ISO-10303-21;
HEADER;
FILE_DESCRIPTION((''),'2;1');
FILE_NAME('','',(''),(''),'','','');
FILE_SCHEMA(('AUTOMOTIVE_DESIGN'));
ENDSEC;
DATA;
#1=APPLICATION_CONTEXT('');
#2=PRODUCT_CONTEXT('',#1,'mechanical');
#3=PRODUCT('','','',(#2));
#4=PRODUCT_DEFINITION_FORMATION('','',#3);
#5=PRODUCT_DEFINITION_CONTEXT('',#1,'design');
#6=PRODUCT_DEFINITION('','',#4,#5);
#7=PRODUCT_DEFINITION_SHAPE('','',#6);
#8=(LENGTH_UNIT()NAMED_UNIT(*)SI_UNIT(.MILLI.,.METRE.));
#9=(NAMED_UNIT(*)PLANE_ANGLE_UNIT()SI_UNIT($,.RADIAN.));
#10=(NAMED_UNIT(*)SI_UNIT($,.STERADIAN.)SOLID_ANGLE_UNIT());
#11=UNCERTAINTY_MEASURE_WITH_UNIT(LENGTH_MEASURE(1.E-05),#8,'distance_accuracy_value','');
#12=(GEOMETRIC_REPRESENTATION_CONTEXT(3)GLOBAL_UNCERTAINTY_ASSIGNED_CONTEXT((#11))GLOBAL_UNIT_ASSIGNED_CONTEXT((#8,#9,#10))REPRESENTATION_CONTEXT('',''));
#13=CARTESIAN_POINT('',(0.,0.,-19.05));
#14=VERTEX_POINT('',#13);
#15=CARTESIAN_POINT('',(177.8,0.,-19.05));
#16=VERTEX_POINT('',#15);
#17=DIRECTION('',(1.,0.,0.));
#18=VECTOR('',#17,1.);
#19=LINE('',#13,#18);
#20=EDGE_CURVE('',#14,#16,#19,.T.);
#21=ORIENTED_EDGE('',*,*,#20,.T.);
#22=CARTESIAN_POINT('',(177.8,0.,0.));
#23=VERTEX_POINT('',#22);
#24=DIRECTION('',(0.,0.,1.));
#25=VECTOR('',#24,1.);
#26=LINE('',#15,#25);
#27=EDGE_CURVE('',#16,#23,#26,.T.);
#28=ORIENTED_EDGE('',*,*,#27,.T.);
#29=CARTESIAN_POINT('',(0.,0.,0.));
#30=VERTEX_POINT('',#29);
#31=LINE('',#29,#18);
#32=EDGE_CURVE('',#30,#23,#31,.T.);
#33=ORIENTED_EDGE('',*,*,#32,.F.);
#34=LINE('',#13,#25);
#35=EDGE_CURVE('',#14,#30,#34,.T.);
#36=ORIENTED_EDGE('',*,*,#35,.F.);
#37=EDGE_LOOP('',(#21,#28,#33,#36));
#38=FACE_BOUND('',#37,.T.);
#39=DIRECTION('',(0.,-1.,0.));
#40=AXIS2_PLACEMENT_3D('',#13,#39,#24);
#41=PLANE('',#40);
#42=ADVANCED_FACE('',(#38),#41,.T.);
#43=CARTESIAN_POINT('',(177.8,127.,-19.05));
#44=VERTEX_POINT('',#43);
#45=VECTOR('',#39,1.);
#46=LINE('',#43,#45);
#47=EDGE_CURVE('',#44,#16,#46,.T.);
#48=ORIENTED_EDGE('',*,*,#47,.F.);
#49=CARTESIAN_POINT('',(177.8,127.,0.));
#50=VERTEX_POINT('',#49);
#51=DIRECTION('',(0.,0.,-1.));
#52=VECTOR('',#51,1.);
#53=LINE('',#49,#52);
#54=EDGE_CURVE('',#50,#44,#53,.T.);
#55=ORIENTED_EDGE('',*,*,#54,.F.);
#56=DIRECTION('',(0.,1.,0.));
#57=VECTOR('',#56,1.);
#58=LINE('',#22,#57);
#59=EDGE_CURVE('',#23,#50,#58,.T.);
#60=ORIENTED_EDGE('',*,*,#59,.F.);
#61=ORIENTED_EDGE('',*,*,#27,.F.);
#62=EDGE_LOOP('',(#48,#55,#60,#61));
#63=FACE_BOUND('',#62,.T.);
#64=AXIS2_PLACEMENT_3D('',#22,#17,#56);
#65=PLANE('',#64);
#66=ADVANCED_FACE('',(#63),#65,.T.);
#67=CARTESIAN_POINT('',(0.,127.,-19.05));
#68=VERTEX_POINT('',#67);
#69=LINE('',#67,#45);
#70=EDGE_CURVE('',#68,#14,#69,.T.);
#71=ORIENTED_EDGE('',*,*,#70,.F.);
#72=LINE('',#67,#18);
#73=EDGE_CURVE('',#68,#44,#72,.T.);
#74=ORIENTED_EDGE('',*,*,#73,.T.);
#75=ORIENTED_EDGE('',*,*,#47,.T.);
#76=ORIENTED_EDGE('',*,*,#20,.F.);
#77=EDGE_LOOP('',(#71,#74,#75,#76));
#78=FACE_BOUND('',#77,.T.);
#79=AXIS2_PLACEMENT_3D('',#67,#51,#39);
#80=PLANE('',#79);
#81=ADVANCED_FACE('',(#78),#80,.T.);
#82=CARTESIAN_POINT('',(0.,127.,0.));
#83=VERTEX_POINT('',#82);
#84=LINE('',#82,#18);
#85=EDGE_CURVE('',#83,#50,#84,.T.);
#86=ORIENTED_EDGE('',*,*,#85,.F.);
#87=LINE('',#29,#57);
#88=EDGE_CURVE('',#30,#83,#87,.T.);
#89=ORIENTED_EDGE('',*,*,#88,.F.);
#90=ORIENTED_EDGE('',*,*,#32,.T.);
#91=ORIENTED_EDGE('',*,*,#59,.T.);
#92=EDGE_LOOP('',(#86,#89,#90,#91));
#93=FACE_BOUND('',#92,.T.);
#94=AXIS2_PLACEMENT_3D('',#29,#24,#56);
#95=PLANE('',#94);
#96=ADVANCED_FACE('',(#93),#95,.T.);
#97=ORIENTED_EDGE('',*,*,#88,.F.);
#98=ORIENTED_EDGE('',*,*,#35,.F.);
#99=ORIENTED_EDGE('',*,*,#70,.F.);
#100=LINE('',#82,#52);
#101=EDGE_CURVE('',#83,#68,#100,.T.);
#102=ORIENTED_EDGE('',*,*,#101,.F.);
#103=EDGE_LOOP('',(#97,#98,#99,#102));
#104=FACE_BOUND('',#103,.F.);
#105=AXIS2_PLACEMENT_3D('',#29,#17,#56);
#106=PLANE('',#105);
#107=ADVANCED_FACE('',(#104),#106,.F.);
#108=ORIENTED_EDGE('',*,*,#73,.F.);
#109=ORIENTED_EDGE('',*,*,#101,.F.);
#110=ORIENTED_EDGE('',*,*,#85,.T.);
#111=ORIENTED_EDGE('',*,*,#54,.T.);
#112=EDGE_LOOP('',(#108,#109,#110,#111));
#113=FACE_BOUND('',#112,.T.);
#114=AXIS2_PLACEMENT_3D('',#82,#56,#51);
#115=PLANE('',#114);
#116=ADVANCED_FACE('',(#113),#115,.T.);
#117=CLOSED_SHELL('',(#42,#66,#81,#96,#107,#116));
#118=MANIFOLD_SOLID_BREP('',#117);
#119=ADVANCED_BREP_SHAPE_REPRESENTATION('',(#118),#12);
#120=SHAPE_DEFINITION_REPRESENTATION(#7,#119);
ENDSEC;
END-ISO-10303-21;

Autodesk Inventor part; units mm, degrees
ref_plane "YZ Plane" through (0, 0, 0) normal (1, 0, 0) x (0, 1, 0)
ref_plane "XZ Plane" through (0, 0, 0) normal (0, 1, 0) x (-1, 0, 0)
ref_plane "XY Plane" through (0, 0, 0) normal (0, 0, 1) x (1, 0, 0)
sketch "Sketch1" plane through (0, 0, 0) normal (1, 0, 0) x (0, 1, 0)
  line L0 (0, 0) -> (127, 0)
  line L1 (127, 0) -> (127, -19.05)
  line L2 (127, -19.05) -> (0, -19.05)
  line L3 (0, -19.05) -> (0, 0)
  dimension "d0" = 127
  dimension "d1" = 19.05
extrude "Extrusion1" add sketch "Sketch1" along normal blind 177.8
properties part number "D2"
